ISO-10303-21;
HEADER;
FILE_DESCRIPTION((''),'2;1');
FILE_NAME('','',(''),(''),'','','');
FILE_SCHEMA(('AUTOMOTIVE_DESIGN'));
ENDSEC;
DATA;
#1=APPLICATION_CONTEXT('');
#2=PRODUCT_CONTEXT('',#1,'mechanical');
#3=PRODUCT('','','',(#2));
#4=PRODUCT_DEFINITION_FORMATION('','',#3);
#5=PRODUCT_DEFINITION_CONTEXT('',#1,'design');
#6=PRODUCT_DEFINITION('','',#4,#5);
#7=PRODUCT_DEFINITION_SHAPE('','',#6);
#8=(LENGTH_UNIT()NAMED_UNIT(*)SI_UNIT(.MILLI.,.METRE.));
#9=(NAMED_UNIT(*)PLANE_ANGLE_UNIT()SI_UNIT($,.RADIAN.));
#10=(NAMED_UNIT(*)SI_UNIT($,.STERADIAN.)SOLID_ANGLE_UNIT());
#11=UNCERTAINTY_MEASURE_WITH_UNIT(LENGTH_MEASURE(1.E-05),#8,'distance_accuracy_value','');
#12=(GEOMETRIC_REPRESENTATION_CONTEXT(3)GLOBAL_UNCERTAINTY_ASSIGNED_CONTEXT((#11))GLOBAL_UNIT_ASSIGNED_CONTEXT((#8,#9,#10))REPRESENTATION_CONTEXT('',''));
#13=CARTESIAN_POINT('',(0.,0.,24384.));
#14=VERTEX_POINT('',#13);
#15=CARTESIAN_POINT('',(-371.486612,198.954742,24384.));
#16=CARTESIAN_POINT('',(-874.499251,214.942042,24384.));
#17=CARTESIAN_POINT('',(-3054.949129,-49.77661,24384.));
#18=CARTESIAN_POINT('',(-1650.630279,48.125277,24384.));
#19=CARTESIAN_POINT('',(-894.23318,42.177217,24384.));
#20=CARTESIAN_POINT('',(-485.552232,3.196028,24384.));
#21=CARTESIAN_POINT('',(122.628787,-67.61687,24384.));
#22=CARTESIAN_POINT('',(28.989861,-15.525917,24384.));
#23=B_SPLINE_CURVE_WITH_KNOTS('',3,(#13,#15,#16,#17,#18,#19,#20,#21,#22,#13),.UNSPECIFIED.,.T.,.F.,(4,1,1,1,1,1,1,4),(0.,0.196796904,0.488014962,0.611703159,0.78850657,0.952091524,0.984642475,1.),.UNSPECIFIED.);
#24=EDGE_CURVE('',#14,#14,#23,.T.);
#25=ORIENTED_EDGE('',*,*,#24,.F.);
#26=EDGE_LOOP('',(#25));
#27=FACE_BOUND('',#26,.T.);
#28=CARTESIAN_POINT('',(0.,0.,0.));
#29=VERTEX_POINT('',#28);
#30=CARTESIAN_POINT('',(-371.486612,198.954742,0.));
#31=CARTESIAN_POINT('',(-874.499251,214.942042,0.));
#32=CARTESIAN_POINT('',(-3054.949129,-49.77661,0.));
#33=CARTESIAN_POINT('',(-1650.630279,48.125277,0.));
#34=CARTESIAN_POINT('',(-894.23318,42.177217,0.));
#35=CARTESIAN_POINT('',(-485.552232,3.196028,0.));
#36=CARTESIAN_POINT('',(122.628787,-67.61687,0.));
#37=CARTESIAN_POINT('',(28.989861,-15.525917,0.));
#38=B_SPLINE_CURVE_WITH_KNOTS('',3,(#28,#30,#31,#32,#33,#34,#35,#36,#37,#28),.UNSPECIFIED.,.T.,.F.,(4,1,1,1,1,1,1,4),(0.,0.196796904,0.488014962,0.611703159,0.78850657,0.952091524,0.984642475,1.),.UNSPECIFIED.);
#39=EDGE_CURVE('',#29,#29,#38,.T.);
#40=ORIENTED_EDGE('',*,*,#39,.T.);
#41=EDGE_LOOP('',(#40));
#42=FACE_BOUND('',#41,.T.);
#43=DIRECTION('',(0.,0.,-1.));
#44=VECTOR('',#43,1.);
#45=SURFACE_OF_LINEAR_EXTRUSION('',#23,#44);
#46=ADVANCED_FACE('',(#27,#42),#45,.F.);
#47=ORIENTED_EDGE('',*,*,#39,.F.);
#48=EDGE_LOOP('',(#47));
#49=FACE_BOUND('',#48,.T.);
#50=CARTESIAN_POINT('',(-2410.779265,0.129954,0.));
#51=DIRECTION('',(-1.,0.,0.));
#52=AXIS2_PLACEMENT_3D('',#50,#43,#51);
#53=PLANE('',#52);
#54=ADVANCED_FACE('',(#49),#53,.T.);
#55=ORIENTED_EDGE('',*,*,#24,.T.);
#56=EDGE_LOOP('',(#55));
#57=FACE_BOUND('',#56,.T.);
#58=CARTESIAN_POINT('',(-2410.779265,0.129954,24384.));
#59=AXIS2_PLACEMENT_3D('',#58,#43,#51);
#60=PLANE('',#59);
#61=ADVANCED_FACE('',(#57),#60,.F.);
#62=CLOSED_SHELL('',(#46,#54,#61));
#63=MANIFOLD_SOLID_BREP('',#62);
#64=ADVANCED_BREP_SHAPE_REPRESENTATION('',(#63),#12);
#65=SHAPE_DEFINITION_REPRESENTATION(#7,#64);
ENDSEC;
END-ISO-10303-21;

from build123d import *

# Parameters (mm, degrees)
BOSS_EXTRUDE1_DEPTH = 24384


with BuildPart() as part:
    # Sketch1 → Boss-Extrude1 (new body)
    with BuildSketch(Plane.XY):
        with BuildLine():
            add(Edge.make_bspline(
                [(0, 0), (-371.486611526, 198.954741641), (-874.499250657, 214.942042158), (-3054.949129022, -49.776610417), (-1650.6302793, 48.125276554), (-894.233180364, 42.177217277), (-485.552231982, 3.196028426), (122.628786697, -67.616869991), (28.989861105, -15.525917079), (0, 0)],
                knots=[0, 0, 0, 0, 0.196796904, 0.488014962, 0.611703159, 0.78850657, 0.952091524, 0.984642475, 1, 1, 1, 1], degree=3))
        make_face()
    extrude(amount=BOSS_EXTRUDE1_DEPTH)


solid = part.part
